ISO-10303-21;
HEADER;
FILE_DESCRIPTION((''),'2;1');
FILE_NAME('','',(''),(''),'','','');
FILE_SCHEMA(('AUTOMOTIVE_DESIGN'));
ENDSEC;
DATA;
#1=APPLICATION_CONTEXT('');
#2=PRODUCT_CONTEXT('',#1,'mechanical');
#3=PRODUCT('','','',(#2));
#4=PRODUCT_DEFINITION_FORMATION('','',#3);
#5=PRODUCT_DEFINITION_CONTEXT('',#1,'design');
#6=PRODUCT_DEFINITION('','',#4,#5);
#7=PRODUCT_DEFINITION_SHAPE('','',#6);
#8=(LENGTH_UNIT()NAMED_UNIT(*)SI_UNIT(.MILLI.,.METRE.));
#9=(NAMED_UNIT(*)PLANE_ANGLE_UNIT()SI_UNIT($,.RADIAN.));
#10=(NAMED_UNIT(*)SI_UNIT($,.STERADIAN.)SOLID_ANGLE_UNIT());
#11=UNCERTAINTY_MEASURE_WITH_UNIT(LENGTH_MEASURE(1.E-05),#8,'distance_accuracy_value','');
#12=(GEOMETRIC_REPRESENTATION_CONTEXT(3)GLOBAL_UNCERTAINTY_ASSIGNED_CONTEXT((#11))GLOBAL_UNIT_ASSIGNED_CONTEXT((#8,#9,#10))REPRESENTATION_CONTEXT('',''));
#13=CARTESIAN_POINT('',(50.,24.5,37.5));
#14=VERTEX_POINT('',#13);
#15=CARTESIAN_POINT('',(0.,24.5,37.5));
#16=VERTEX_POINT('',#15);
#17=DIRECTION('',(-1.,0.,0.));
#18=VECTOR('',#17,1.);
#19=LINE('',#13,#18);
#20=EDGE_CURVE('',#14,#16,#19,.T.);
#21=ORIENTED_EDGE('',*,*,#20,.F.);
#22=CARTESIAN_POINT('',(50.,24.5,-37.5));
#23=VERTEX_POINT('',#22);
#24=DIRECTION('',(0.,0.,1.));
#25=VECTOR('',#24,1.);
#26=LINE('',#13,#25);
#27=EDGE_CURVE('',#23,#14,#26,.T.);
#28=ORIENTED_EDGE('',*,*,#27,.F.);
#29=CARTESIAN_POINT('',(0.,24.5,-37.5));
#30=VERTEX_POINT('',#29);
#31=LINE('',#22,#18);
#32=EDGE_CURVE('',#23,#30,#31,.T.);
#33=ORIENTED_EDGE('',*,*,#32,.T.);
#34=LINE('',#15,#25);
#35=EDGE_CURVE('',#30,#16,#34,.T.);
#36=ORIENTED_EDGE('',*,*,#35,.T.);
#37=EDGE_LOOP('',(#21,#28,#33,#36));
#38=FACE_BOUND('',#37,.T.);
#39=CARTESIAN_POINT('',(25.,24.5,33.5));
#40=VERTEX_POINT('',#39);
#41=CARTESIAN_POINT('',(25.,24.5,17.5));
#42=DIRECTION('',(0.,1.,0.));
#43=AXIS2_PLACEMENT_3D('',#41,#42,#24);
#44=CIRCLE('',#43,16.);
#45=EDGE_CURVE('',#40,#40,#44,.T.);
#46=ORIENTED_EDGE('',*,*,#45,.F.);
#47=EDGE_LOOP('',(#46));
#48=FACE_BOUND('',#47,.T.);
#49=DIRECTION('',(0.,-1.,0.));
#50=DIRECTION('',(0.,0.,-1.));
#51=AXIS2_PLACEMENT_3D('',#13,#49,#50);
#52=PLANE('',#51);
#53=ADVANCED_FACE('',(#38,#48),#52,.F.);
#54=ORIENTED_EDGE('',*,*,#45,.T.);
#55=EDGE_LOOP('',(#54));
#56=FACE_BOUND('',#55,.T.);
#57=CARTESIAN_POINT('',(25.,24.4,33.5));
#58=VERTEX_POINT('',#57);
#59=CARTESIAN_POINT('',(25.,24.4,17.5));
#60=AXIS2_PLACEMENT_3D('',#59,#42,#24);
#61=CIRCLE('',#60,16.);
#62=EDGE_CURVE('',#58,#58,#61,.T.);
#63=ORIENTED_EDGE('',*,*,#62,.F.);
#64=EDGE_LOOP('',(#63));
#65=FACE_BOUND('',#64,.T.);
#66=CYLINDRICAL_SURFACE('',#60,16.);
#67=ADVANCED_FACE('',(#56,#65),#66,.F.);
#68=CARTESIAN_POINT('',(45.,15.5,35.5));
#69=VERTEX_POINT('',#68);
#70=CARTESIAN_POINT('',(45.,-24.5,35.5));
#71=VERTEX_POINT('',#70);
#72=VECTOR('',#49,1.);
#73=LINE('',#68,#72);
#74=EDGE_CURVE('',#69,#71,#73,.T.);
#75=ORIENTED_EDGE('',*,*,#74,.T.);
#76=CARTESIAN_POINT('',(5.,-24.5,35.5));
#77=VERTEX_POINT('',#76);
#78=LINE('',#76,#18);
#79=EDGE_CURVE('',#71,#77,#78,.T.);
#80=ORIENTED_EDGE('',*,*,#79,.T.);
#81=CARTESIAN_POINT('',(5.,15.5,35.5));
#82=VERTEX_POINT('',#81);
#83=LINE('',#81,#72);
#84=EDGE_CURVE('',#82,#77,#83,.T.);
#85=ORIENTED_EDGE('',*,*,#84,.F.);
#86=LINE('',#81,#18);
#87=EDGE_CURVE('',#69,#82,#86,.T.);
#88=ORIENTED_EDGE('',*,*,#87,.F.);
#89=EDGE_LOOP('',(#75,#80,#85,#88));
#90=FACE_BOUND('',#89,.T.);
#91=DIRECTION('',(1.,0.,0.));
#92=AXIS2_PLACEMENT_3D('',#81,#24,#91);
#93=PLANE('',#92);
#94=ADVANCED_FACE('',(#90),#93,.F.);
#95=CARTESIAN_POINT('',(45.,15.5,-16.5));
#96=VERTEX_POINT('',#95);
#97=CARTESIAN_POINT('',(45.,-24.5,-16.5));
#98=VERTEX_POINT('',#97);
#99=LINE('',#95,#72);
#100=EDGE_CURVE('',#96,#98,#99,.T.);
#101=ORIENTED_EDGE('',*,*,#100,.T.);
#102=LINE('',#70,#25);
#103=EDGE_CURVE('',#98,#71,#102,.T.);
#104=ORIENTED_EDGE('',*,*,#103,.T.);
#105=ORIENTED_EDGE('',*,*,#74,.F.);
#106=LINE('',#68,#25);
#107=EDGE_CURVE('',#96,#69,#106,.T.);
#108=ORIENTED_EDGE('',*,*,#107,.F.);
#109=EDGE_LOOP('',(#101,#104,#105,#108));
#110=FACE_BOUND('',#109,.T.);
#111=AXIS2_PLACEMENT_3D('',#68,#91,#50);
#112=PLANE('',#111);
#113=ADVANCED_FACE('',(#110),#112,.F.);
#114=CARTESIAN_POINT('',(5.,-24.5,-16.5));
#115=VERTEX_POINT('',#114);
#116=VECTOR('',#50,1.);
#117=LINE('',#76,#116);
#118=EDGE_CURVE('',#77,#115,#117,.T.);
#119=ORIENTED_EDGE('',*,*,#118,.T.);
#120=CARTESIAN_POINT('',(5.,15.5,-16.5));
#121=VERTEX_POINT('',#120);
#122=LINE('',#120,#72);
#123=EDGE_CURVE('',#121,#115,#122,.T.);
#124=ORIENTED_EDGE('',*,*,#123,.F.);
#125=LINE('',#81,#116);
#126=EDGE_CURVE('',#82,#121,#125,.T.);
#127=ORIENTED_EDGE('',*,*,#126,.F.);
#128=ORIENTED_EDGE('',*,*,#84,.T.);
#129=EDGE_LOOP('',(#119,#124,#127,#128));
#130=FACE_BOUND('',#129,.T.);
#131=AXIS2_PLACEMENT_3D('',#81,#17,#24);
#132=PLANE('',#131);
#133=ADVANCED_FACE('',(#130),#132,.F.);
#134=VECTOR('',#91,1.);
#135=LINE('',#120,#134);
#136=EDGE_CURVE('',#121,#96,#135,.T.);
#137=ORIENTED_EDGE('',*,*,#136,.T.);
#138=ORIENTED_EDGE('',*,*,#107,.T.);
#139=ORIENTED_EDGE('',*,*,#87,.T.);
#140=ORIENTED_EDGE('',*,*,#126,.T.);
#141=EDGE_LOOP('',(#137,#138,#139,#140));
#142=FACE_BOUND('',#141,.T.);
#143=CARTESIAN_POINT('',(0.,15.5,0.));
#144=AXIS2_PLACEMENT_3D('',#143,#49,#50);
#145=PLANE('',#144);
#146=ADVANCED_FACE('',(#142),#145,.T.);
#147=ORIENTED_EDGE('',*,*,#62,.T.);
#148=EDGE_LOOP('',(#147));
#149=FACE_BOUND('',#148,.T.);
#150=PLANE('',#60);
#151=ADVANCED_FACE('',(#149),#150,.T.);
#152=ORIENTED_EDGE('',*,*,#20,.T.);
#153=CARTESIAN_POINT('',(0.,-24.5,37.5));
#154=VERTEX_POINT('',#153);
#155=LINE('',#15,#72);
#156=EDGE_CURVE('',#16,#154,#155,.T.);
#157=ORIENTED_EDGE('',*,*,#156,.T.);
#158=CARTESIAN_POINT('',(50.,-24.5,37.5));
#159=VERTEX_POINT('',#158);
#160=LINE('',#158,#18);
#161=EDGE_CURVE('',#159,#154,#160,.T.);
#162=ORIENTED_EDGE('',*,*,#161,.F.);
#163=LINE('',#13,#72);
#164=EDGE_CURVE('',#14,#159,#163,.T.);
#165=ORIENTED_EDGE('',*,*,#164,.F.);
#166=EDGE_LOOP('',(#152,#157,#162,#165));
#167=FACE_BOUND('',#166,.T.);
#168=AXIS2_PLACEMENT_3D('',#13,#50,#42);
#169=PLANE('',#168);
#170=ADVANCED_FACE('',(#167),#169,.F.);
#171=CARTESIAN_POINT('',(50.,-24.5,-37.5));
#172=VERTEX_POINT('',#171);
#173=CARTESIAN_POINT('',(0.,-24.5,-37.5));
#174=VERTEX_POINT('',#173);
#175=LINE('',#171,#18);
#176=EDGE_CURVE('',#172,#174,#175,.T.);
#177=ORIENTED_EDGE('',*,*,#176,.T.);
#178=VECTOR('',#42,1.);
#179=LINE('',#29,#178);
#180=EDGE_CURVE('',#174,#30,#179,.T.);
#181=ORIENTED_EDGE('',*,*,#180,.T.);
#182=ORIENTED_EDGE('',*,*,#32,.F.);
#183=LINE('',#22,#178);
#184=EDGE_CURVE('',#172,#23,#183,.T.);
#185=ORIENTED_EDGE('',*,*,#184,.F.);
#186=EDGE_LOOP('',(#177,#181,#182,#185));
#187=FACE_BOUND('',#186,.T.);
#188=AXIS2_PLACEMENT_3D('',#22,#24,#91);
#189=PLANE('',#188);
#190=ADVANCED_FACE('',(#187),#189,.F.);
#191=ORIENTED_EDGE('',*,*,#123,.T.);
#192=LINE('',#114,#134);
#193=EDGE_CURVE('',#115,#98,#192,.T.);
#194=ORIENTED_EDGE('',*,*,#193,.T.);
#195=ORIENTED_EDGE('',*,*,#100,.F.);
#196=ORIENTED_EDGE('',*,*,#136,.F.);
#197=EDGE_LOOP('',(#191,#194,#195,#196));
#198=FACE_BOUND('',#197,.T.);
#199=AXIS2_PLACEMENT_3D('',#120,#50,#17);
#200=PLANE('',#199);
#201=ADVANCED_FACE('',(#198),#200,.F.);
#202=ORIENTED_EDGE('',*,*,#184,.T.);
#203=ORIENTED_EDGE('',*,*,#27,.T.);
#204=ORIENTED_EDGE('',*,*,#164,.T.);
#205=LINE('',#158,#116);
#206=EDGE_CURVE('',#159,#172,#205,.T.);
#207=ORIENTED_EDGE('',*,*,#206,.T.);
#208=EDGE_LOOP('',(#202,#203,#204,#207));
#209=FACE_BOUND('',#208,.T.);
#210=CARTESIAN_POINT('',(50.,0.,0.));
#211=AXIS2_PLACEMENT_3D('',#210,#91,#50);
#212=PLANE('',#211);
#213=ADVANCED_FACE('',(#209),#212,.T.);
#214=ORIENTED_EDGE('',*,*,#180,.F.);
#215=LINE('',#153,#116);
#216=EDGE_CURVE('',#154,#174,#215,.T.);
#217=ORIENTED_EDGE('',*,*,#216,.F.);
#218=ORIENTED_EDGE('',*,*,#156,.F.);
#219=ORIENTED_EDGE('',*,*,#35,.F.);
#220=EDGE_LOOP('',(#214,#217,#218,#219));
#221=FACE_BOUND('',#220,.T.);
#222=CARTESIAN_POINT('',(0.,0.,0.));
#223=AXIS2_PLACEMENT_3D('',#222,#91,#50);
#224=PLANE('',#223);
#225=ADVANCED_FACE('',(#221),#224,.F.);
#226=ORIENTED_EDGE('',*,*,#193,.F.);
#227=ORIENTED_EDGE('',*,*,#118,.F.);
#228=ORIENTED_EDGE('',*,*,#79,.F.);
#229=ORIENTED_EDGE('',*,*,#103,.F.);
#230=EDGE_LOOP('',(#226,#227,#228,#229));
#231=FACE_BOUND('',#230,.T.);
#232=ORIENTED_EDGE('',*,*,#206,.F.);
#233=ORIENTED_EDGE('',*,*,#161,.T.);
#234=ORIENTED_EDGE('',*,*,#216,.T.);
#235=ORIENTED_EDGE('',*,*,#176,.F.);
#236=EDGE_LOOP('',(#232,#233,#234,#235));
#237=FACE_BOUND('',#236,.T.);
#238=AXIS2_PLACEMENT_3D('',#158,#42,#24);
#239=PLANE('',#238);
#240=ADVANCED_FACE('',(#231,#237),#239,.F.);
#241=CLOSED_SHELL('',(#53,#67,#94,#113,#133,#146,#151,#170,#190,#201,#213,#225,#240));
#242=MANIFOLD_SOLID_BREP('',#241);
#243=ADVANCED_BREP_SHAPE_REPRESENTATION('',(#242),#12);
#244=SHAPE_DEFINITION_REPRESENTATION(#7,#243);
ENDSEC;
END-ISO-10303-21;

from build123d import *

# Parameters (mm, degrees)
SKETCH1_W           = 75
SKETCH1_H           = 49
BOSS_EXTRUDE1_DEPTH = 50
SKETCH2_W           = 40
SKETCH2_H           = 52
CUT_EXTRUDE1_DEPTH  = 40
SKETCH3_R           = 16
CUT_EXTRUDE3_DEPTH  = 0.1


with BuildPart() as part:
    # Sketch1 → Boss-Extrude1 (new body)
    with BuildSketch(Plane(origin=(0, 0, 0), x_dir=(0, 0, -1), z_dir=(1, 0, 0))):
        Rectangle(SKETCH1_W, SKETCH1_H)
    extrude(amount=BOSS_EXTRUDE1_DEPTH)

    # Sketch2 → Cut-Extrude1 (cut)
    with BuildSketch(Plane.XZ.offset(24.5)):
        with Locations((25, 9.5)):
            Rectangle(SKETCH2_W, SKETCH2_H)
    extrude(amount=-CUT_EXTRUDE1_DEPTH, mode=Mode.SUBTRACT)

    # Sketch3 → Cut-Extrude3 (cut)
    with BuildSketch(Plane(origin=(0, 24.5, 0), x_dir=(1, 0, 0), z_dir=(0, 1, 0))):
        with Locations(Location((25, -17.5, 0), (0, 0, 270))):
            Circle(SKETCH3_R)
    extrude(amount=-CUT_EXTRUDE3_DEPTH, mode=Mode.SUBTRACT)


solid = part.part
